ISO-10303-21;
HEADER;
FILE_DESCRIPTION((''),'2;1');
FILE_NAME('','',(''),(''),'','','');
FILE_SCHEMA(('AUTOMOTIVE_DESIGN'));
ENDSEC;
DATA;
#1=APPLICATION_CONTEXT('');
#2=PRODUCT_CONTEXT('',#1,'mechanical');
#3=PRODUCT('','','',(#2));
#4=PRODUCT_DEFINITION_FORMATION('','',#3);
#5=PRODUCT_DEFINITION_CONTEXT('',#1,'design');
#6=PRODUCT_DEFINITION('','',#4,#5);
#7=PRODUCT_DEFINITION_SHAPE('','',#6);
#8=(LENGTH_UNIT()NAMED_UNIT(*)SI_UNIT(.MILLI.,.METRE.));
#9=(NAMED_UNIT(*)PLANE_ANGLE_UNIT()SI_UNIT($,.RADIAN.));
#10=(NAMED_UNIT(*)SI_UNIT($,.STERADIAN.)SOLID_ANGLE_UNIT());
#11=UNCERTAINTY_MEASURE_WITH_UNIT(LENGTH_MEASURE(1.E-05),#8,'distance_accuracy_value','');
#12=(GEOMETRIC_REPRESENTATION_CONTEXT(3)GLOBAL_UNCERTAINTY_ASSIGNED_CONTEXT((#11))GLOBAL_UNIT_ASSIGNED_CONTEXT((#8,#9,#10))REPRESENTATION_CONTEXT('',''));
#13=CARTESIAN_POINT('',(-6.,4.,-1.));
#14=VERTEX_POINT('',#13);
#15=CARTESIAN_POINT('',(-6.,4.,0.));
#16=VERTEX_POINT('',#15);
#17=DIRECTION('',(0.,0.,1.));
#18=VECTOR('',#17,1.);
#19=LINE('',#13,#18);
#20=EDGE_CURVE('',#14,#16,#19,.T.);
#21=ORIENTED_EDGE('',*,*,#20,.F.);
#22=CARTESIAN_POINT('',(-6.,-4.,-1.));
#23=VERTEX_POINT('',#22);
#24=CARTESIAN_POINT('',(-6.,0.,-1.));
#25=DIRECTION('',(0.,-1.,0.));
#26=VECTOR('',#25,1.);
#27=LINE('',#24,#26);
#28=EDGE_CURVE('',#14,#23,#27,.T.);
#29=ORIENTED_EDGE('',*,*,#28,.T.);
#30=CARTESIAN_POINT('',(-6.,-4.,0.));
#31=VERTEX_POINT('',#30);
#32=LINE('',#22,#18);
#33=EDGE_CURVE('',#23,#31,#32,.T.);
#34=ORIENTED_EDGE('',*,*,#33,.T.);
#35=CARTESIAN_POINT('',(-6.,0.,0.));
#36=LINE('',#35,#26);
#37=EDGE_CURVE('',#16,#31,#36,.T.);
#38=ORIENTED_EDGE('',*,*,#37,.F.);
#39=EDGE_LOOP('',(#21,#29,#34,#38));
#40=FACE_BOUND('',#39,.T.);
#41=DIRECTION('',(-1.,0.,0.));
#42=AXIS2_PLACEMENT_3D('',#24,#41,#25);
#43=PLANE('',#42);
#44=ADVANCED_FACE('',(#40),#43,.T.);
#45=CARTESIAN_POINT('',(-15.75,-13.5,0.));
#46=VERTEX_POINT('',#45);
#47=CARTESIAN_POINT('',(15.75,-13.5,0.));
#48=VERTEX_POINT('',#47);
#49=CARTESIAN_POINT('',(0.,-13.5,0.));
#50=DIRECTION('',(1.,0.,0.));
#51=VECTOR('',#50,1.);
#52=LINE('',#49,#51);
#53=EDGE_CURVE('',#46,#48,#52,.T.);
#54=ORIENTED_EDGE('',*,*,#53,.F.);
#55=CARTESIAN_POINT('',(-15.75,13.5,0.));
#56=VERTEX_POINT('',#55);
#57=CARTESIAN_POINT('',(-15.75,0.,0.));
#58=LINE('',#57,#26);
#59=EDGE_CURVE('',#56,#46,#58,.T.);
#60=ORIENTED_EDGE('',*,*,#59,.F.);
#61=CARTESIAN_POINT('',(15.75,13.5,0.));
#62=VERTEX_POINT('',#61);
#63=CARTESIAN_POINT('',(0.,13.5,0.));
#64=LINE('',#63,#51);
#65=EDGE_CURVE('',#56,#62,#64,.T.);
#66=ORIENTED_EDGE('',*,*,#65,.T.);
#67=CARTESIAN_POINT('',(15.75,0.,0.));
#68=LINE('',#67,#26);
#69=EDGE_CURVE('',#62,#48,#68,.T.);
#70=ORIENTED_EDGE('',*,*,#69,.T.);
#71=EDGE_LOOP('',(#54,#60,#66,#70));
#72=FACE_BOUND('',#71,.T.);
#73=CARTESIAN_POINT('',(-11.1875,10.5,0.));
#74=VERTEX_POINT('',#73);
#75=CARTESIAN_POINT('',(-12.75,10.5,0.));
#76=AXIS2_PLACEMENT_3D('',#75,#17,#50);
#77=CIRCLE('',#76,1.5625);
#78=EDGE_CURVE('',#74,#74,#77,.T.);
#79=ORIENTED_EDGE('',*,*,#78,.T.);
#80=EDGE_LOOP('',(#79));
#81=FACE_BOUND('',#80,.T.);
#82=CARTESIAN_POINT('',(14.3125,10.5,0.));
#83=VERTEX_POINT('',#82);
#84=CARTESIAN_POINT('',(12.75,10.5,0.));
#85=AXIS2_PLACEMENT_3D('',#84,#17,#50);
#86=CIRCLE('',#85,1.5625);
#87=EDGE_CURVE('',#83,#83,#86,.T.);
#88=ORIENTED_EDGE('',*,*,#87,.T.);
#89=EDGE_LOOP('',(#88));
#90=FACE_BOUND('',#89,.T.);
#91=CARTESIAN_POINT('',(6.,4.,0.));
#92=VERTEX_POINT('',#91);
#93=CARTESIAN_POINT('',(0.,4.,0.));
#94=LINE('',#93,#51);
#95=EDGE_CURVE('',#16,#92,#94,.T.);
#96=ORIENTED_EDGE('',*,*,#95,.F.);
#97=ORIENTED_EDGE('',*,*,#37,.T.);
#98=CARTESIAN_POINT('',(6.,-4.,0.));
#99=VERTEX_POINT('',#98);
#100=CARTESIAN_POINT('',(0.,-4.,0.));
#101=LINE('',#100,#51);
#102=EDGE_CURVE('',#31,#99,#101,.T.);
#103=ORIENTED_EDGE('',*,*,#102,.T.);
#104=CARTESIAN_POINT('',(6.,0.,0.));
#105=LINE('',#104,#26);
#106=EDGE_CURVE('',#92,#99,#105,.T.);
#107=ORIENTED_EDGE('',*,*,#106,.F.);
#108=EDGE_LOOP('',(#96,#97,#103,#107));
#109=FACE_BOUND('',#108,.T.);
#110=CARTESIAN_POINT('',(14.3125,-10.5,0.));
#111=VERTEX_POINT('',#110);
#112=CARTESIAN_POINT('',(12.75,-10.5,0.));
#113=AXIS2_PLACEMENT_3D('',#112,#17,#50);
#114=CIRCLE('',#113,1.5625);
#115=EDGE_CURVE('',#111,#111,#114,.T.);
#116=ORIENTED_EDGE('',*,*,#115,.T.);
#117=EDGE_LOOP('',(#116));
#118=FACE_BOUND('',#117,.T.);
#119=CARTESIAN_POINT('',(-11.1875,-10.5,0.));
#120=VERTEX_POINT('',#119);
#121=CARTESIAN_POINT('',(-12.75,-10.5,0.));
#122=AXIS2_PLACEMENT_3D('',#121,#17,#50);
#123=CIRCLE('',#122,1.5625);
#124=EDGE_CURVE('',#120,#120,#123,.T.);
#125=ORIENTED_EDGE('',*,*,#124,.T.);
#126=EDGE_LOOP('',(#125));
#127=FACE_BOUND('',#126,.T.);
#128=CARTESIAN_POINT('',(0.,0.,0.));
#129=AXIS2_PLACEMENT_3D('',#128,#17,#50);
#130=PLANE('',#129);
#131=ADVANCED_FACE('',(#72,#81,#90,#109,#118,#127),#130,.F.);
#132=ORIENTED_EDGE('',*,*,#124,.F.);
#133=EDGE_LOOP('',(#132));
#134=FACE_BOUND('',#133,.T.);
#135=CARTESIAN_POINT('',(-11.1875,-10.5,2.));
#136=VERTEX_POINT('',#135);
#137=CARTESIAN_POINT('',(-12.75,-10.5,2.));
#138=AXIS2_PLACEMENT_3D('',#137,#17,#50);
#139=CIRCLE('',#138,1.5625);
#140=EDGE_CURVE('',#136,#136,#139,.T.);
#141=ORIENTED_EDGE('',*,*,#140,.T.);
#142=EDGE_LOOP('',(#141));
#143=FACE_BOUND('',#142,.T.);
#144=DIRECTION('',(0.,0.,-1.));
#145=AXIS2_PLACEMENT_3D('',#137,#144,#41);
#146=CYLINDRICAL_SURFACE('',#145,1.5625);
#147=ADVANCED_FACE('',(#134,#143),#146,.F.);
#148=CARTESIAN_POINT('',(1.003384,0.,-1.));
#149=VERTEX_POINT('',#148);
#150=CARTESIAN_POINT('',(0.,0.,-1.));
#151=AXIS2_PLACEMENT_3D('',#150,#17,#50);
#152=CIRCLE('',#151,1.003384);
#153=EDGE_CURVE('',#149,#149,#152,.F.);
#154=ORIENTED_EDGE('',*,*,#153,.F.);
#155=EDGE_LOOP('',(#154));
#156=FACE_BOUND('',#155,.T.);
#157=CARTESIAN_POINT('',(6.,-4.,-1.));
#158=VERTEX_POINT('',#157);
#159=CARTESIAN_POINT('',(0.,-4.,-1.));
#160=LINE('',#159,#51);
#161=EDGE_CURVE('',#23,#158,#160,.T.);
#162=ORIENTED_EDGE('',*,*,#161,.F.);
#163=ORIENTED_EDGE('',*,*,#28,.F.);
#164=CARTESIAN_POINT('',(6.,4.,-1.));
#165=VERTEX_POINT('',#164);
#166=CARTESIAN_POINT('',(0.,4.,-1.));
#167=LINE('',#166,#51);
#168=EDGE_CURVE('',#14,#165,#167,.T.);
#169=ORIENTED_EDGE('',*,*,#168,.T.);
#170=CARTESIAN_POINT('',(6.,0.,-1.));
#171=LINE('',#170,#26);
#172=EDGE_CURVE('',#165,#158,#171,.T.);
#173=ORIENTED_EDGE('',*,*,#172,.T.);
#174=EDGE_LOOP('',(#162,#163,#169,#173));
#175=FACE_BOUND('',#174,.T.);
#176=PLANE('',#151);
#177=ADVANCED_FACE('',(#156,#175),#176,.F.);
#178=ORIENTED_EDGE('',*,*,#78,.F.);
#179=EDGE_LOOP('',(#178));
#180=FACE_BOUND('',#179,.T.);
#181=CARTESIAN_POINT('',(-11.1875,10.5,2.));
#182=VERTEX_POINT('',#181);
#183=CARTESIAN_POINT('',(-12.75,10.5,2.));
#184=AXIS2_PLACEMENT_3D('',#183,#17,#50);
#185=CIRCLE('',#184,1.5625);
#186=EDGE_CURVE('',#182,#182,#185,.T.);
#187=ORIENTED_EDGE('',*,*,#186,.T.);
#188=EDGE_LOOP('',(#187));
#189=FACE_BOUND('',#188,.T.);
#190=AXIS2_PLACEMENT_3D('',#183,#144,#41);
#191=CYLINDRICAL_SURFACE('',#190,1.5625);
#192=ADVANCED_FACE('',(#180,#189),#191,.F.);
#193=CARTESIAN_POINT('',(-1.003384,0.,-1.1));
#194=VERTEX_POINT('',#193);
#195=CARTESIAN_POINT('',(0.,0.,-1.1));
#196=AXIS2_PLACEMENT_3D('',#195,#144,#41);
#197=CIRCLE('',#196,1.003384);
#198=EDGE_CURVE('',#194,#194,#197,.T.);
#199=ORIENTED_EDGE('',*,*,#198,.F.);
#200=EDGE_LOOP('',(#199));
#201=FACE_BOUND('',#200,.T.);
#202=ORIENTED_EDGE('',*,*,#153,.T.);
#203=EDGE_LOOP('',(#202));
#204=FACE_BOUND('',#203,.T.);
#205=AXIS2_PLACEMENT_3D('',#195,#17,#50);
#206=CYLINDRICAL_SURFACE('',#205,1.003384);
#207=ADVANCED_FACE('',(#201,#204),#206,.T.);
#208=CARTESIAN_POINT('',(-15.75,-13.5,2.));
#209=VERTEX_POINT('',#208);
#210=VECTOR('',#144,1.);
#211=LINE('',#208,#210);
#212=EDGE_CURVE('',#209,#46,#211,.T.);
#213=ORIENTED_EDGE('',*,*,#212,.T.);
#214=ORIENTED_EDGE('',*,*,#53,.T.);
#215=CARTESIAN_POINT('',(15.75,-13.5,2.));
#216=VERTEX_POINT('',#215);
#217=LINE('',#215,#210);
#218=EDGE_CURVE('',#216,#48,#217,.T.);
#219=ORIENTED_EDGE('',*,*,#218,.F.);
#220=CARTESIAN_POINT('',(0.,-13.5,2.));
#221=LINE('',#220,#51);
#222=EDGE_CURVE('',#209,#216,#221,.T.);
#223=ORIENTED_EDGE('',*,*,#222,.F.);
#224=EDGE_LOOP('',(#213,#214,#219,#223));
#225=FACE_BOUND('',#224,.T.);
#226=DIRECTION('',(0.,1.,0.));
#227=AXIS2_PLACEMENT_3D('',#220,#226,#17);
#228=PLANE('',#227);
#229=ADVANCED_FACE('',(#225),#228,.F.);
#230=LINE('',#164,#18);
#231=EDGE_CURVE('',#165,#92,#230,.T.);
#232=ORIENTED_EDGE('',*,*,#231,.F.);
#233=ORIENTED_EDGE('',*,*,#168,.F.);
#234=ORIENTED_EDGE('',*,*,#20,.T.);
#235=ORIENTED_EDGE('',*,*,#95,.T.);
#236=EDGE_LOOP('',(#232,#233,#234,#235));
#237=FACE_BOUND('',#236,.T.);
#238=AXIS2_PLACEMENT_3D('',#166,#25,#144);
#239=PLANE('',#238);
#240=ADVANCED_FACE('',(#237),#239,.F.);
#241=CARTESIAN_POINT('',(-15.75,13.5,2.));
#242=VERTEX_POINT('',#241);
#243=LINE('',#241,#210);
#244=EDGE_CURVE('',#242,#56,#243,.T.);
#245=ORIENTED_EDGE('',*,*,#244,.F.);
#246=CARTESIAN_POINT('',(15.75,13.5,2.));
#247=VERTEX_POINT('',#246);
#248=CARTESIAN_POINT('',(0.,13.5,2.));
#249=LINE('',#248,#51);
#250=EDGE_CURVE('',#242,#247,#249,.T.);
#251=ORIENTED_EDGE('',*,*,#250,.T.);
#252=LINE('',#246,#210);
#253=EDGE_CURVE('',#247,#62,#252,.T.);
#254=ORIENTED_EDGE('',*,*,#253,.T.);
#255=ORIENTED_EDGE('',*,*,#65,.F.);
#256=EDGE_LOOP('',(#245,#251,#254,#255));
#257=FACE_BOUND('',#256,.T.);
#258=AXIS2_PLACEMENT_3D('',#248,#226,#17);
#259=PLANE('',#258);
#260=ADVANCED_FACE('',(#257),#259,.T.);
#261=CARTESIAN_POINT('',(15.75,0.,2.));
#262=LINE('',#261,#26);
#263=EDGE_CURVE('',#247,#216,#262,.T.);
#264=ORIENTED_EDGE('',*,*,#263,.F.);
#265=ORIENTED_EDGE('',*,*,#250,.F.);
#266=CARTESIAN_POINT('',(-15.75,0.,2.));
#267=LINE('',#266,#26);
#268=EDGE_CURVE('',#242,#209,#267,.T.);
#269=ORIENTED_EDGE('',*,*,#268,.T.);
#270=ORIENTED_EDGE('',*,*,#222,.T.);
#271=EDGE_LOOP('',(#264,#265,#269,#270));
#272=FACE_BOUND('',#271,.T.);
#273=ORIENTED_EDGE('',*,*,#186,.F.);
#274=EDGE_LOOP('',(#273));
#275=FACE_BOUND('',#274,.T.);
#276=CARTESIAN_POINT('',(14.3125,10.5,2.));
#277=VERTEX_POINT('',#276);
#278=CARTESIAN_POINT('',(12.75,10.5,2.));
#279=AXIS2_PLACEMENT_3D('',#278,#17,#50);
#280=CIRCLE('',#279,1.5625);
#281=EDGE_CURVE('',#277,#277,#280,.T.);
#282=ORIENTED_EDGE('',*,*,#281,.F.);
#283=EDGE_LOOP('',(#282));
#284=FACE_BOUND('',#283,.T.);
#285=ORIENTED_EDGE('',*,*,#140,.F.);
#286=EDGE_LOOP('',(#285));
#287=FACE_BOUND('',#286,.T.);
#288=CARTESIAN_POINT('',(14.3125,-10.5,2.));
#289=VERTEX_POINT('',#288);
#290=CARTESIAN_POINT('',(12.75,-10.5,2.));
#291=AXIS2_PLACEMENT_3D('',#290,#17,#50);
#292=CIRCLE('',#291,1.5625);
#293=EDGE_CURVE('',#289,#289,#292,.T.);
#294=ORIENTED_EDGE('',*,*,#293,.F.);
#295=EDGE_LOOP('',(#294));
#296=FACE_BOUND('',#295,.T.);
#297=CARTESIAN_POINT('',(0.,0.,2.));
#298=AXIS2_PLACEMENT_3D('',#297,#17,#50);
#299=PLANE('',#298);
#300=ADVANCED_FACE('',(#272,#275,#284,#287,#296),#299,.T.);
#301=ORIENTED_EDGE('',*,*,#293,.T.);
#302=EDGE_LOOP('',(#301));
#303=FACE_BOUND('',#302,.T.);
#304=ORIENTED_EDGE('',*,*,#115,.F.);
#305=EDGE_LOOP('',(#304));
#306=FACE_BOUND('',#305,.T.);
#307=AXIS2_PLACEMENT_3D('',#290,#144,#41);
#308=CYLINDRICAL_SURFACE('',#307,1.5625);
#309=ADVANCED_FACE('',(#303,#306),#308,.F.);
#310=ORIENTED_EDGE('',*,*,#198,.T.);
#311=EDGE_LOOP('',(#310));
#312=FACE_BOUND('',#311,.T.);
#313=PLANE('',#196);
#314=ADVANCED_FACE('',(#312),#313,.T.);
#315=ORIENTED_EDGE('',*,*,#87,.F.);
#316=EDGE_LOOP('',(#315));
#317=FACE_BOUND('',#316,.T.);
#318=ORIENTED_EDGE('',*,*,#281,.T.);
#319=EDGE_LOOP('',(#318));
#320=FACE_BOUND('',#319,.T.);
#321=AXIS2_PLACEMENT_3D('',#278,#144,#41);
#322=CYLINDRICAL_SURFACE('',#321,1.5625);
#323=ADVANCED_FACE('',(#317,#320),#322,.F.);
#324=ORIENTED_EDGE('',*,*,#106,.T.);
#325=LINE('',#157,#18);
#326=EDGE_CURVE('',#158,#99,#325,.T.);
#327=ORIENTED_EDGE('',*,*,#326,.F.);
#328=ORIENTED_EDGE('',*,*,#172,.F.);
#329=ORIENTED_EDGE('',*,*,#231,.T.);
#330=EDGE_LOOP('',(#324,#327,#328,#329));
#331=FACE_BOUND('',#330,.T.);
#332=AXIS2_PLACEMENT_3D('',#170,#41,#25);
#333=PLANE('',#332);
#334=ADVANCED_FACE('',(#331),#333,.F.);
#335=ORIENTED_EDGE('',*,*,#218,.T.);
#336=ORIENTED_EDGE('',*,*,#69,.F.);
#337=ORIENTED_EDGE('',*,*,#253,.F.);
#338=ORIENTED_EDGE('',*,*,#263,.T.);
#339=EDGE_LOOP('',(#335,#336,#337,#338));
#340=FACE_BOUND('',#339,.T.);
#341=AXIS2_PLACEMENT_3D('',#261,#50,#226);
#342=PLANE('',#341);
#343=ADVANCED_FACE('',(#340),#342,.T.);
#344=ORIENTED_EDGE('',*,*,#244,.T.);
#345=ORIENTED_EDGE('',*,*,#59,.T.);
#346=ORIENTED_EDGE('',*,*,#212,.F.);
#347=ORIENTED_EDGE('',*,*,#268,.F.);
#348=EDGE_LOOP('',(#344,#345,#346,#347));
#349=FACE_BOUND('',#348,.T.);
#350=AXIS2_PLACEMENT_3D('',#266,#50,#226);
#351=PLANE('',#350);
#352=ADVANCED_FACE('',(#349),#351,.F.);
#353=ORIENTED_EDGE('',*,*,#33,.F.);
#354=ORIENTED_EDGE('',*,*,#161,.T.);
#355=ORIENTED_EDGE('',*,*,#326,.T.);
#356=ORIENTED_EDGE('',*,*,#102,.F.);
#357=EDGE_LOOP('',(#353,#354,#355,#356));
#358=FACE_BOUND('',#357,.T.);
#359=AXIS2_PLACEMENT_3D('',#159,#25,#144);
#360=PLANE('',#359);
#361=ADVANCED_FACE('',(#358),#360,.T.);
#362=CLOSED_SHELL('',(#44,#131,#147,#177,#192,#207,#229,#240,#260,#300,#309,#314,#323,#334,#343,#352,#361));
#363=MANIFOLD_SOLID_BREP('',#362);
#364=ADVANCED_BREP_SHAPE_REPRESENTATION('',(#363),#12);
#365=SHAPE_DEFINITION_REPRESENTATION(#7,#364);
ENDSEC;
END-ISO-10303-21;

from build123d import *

# Parameters (mm, degrees)
SKETCH1_W           = 31.5
SKETCH1_H           = 27
SKETCH1_R           = 1.5625
BOSS_EXTRUDE1_DEPTH = 2
SKETCH1_3_W         = 12
SKETCH1_3_H         = 8
BOSS_EXTRUDE2_DEPTH = 1
SKETCH2_R           = 1.003384187
BOSS_EXTRUDE3_DEPTH = 0.1


with BuildPart() as part:
    # Sketch1 → Boss-Extrude1 (new body)
    with BuildSketch(Plane.XY):
        Rectangle(SKETCH1_W, SKETCH1_H)
        with Locations((-12.75, -10.5)):
            Circle(SKETCH1_R, mode=Mode.SUBTRACT)
        with Locations((12.75, -10.5)):
            Circle(SKETCH1_R, mode=Mode.SUBTRACT)
        with Locations((-12.75, 10.5)):
            Circle(SKETCH1_R, mode=Mode.SUBTRACT)
        with Locations((12.75, 10.5)):
            Circle(SKETCH1_R, mode=Mode.SUBTRACT)
    extrude(amount=BOSS_EXTRUDE1_DEPTH)

    # Sketch1<3> → Boss-Extrude2 (add)
    with BuildSketch(Plane.XY):
        Rectangle(SKETCH1_3_W, SKETCH1_3_H)
    extrude(amount=-BOSS_EXTRUDE2_DEPTH)

    # Sketch2 → Boss-Extrude3 (add)
    with BuildSketch(Plane(origin=(0, 0, -1), x_dir=(-1, 0, 0), z_dir=(0, 0, -1))):
        Circle(SKETCH2_R)
    extrude(amount=BOSS_EXTRUDE3_DEPTH)


solid = part.part
